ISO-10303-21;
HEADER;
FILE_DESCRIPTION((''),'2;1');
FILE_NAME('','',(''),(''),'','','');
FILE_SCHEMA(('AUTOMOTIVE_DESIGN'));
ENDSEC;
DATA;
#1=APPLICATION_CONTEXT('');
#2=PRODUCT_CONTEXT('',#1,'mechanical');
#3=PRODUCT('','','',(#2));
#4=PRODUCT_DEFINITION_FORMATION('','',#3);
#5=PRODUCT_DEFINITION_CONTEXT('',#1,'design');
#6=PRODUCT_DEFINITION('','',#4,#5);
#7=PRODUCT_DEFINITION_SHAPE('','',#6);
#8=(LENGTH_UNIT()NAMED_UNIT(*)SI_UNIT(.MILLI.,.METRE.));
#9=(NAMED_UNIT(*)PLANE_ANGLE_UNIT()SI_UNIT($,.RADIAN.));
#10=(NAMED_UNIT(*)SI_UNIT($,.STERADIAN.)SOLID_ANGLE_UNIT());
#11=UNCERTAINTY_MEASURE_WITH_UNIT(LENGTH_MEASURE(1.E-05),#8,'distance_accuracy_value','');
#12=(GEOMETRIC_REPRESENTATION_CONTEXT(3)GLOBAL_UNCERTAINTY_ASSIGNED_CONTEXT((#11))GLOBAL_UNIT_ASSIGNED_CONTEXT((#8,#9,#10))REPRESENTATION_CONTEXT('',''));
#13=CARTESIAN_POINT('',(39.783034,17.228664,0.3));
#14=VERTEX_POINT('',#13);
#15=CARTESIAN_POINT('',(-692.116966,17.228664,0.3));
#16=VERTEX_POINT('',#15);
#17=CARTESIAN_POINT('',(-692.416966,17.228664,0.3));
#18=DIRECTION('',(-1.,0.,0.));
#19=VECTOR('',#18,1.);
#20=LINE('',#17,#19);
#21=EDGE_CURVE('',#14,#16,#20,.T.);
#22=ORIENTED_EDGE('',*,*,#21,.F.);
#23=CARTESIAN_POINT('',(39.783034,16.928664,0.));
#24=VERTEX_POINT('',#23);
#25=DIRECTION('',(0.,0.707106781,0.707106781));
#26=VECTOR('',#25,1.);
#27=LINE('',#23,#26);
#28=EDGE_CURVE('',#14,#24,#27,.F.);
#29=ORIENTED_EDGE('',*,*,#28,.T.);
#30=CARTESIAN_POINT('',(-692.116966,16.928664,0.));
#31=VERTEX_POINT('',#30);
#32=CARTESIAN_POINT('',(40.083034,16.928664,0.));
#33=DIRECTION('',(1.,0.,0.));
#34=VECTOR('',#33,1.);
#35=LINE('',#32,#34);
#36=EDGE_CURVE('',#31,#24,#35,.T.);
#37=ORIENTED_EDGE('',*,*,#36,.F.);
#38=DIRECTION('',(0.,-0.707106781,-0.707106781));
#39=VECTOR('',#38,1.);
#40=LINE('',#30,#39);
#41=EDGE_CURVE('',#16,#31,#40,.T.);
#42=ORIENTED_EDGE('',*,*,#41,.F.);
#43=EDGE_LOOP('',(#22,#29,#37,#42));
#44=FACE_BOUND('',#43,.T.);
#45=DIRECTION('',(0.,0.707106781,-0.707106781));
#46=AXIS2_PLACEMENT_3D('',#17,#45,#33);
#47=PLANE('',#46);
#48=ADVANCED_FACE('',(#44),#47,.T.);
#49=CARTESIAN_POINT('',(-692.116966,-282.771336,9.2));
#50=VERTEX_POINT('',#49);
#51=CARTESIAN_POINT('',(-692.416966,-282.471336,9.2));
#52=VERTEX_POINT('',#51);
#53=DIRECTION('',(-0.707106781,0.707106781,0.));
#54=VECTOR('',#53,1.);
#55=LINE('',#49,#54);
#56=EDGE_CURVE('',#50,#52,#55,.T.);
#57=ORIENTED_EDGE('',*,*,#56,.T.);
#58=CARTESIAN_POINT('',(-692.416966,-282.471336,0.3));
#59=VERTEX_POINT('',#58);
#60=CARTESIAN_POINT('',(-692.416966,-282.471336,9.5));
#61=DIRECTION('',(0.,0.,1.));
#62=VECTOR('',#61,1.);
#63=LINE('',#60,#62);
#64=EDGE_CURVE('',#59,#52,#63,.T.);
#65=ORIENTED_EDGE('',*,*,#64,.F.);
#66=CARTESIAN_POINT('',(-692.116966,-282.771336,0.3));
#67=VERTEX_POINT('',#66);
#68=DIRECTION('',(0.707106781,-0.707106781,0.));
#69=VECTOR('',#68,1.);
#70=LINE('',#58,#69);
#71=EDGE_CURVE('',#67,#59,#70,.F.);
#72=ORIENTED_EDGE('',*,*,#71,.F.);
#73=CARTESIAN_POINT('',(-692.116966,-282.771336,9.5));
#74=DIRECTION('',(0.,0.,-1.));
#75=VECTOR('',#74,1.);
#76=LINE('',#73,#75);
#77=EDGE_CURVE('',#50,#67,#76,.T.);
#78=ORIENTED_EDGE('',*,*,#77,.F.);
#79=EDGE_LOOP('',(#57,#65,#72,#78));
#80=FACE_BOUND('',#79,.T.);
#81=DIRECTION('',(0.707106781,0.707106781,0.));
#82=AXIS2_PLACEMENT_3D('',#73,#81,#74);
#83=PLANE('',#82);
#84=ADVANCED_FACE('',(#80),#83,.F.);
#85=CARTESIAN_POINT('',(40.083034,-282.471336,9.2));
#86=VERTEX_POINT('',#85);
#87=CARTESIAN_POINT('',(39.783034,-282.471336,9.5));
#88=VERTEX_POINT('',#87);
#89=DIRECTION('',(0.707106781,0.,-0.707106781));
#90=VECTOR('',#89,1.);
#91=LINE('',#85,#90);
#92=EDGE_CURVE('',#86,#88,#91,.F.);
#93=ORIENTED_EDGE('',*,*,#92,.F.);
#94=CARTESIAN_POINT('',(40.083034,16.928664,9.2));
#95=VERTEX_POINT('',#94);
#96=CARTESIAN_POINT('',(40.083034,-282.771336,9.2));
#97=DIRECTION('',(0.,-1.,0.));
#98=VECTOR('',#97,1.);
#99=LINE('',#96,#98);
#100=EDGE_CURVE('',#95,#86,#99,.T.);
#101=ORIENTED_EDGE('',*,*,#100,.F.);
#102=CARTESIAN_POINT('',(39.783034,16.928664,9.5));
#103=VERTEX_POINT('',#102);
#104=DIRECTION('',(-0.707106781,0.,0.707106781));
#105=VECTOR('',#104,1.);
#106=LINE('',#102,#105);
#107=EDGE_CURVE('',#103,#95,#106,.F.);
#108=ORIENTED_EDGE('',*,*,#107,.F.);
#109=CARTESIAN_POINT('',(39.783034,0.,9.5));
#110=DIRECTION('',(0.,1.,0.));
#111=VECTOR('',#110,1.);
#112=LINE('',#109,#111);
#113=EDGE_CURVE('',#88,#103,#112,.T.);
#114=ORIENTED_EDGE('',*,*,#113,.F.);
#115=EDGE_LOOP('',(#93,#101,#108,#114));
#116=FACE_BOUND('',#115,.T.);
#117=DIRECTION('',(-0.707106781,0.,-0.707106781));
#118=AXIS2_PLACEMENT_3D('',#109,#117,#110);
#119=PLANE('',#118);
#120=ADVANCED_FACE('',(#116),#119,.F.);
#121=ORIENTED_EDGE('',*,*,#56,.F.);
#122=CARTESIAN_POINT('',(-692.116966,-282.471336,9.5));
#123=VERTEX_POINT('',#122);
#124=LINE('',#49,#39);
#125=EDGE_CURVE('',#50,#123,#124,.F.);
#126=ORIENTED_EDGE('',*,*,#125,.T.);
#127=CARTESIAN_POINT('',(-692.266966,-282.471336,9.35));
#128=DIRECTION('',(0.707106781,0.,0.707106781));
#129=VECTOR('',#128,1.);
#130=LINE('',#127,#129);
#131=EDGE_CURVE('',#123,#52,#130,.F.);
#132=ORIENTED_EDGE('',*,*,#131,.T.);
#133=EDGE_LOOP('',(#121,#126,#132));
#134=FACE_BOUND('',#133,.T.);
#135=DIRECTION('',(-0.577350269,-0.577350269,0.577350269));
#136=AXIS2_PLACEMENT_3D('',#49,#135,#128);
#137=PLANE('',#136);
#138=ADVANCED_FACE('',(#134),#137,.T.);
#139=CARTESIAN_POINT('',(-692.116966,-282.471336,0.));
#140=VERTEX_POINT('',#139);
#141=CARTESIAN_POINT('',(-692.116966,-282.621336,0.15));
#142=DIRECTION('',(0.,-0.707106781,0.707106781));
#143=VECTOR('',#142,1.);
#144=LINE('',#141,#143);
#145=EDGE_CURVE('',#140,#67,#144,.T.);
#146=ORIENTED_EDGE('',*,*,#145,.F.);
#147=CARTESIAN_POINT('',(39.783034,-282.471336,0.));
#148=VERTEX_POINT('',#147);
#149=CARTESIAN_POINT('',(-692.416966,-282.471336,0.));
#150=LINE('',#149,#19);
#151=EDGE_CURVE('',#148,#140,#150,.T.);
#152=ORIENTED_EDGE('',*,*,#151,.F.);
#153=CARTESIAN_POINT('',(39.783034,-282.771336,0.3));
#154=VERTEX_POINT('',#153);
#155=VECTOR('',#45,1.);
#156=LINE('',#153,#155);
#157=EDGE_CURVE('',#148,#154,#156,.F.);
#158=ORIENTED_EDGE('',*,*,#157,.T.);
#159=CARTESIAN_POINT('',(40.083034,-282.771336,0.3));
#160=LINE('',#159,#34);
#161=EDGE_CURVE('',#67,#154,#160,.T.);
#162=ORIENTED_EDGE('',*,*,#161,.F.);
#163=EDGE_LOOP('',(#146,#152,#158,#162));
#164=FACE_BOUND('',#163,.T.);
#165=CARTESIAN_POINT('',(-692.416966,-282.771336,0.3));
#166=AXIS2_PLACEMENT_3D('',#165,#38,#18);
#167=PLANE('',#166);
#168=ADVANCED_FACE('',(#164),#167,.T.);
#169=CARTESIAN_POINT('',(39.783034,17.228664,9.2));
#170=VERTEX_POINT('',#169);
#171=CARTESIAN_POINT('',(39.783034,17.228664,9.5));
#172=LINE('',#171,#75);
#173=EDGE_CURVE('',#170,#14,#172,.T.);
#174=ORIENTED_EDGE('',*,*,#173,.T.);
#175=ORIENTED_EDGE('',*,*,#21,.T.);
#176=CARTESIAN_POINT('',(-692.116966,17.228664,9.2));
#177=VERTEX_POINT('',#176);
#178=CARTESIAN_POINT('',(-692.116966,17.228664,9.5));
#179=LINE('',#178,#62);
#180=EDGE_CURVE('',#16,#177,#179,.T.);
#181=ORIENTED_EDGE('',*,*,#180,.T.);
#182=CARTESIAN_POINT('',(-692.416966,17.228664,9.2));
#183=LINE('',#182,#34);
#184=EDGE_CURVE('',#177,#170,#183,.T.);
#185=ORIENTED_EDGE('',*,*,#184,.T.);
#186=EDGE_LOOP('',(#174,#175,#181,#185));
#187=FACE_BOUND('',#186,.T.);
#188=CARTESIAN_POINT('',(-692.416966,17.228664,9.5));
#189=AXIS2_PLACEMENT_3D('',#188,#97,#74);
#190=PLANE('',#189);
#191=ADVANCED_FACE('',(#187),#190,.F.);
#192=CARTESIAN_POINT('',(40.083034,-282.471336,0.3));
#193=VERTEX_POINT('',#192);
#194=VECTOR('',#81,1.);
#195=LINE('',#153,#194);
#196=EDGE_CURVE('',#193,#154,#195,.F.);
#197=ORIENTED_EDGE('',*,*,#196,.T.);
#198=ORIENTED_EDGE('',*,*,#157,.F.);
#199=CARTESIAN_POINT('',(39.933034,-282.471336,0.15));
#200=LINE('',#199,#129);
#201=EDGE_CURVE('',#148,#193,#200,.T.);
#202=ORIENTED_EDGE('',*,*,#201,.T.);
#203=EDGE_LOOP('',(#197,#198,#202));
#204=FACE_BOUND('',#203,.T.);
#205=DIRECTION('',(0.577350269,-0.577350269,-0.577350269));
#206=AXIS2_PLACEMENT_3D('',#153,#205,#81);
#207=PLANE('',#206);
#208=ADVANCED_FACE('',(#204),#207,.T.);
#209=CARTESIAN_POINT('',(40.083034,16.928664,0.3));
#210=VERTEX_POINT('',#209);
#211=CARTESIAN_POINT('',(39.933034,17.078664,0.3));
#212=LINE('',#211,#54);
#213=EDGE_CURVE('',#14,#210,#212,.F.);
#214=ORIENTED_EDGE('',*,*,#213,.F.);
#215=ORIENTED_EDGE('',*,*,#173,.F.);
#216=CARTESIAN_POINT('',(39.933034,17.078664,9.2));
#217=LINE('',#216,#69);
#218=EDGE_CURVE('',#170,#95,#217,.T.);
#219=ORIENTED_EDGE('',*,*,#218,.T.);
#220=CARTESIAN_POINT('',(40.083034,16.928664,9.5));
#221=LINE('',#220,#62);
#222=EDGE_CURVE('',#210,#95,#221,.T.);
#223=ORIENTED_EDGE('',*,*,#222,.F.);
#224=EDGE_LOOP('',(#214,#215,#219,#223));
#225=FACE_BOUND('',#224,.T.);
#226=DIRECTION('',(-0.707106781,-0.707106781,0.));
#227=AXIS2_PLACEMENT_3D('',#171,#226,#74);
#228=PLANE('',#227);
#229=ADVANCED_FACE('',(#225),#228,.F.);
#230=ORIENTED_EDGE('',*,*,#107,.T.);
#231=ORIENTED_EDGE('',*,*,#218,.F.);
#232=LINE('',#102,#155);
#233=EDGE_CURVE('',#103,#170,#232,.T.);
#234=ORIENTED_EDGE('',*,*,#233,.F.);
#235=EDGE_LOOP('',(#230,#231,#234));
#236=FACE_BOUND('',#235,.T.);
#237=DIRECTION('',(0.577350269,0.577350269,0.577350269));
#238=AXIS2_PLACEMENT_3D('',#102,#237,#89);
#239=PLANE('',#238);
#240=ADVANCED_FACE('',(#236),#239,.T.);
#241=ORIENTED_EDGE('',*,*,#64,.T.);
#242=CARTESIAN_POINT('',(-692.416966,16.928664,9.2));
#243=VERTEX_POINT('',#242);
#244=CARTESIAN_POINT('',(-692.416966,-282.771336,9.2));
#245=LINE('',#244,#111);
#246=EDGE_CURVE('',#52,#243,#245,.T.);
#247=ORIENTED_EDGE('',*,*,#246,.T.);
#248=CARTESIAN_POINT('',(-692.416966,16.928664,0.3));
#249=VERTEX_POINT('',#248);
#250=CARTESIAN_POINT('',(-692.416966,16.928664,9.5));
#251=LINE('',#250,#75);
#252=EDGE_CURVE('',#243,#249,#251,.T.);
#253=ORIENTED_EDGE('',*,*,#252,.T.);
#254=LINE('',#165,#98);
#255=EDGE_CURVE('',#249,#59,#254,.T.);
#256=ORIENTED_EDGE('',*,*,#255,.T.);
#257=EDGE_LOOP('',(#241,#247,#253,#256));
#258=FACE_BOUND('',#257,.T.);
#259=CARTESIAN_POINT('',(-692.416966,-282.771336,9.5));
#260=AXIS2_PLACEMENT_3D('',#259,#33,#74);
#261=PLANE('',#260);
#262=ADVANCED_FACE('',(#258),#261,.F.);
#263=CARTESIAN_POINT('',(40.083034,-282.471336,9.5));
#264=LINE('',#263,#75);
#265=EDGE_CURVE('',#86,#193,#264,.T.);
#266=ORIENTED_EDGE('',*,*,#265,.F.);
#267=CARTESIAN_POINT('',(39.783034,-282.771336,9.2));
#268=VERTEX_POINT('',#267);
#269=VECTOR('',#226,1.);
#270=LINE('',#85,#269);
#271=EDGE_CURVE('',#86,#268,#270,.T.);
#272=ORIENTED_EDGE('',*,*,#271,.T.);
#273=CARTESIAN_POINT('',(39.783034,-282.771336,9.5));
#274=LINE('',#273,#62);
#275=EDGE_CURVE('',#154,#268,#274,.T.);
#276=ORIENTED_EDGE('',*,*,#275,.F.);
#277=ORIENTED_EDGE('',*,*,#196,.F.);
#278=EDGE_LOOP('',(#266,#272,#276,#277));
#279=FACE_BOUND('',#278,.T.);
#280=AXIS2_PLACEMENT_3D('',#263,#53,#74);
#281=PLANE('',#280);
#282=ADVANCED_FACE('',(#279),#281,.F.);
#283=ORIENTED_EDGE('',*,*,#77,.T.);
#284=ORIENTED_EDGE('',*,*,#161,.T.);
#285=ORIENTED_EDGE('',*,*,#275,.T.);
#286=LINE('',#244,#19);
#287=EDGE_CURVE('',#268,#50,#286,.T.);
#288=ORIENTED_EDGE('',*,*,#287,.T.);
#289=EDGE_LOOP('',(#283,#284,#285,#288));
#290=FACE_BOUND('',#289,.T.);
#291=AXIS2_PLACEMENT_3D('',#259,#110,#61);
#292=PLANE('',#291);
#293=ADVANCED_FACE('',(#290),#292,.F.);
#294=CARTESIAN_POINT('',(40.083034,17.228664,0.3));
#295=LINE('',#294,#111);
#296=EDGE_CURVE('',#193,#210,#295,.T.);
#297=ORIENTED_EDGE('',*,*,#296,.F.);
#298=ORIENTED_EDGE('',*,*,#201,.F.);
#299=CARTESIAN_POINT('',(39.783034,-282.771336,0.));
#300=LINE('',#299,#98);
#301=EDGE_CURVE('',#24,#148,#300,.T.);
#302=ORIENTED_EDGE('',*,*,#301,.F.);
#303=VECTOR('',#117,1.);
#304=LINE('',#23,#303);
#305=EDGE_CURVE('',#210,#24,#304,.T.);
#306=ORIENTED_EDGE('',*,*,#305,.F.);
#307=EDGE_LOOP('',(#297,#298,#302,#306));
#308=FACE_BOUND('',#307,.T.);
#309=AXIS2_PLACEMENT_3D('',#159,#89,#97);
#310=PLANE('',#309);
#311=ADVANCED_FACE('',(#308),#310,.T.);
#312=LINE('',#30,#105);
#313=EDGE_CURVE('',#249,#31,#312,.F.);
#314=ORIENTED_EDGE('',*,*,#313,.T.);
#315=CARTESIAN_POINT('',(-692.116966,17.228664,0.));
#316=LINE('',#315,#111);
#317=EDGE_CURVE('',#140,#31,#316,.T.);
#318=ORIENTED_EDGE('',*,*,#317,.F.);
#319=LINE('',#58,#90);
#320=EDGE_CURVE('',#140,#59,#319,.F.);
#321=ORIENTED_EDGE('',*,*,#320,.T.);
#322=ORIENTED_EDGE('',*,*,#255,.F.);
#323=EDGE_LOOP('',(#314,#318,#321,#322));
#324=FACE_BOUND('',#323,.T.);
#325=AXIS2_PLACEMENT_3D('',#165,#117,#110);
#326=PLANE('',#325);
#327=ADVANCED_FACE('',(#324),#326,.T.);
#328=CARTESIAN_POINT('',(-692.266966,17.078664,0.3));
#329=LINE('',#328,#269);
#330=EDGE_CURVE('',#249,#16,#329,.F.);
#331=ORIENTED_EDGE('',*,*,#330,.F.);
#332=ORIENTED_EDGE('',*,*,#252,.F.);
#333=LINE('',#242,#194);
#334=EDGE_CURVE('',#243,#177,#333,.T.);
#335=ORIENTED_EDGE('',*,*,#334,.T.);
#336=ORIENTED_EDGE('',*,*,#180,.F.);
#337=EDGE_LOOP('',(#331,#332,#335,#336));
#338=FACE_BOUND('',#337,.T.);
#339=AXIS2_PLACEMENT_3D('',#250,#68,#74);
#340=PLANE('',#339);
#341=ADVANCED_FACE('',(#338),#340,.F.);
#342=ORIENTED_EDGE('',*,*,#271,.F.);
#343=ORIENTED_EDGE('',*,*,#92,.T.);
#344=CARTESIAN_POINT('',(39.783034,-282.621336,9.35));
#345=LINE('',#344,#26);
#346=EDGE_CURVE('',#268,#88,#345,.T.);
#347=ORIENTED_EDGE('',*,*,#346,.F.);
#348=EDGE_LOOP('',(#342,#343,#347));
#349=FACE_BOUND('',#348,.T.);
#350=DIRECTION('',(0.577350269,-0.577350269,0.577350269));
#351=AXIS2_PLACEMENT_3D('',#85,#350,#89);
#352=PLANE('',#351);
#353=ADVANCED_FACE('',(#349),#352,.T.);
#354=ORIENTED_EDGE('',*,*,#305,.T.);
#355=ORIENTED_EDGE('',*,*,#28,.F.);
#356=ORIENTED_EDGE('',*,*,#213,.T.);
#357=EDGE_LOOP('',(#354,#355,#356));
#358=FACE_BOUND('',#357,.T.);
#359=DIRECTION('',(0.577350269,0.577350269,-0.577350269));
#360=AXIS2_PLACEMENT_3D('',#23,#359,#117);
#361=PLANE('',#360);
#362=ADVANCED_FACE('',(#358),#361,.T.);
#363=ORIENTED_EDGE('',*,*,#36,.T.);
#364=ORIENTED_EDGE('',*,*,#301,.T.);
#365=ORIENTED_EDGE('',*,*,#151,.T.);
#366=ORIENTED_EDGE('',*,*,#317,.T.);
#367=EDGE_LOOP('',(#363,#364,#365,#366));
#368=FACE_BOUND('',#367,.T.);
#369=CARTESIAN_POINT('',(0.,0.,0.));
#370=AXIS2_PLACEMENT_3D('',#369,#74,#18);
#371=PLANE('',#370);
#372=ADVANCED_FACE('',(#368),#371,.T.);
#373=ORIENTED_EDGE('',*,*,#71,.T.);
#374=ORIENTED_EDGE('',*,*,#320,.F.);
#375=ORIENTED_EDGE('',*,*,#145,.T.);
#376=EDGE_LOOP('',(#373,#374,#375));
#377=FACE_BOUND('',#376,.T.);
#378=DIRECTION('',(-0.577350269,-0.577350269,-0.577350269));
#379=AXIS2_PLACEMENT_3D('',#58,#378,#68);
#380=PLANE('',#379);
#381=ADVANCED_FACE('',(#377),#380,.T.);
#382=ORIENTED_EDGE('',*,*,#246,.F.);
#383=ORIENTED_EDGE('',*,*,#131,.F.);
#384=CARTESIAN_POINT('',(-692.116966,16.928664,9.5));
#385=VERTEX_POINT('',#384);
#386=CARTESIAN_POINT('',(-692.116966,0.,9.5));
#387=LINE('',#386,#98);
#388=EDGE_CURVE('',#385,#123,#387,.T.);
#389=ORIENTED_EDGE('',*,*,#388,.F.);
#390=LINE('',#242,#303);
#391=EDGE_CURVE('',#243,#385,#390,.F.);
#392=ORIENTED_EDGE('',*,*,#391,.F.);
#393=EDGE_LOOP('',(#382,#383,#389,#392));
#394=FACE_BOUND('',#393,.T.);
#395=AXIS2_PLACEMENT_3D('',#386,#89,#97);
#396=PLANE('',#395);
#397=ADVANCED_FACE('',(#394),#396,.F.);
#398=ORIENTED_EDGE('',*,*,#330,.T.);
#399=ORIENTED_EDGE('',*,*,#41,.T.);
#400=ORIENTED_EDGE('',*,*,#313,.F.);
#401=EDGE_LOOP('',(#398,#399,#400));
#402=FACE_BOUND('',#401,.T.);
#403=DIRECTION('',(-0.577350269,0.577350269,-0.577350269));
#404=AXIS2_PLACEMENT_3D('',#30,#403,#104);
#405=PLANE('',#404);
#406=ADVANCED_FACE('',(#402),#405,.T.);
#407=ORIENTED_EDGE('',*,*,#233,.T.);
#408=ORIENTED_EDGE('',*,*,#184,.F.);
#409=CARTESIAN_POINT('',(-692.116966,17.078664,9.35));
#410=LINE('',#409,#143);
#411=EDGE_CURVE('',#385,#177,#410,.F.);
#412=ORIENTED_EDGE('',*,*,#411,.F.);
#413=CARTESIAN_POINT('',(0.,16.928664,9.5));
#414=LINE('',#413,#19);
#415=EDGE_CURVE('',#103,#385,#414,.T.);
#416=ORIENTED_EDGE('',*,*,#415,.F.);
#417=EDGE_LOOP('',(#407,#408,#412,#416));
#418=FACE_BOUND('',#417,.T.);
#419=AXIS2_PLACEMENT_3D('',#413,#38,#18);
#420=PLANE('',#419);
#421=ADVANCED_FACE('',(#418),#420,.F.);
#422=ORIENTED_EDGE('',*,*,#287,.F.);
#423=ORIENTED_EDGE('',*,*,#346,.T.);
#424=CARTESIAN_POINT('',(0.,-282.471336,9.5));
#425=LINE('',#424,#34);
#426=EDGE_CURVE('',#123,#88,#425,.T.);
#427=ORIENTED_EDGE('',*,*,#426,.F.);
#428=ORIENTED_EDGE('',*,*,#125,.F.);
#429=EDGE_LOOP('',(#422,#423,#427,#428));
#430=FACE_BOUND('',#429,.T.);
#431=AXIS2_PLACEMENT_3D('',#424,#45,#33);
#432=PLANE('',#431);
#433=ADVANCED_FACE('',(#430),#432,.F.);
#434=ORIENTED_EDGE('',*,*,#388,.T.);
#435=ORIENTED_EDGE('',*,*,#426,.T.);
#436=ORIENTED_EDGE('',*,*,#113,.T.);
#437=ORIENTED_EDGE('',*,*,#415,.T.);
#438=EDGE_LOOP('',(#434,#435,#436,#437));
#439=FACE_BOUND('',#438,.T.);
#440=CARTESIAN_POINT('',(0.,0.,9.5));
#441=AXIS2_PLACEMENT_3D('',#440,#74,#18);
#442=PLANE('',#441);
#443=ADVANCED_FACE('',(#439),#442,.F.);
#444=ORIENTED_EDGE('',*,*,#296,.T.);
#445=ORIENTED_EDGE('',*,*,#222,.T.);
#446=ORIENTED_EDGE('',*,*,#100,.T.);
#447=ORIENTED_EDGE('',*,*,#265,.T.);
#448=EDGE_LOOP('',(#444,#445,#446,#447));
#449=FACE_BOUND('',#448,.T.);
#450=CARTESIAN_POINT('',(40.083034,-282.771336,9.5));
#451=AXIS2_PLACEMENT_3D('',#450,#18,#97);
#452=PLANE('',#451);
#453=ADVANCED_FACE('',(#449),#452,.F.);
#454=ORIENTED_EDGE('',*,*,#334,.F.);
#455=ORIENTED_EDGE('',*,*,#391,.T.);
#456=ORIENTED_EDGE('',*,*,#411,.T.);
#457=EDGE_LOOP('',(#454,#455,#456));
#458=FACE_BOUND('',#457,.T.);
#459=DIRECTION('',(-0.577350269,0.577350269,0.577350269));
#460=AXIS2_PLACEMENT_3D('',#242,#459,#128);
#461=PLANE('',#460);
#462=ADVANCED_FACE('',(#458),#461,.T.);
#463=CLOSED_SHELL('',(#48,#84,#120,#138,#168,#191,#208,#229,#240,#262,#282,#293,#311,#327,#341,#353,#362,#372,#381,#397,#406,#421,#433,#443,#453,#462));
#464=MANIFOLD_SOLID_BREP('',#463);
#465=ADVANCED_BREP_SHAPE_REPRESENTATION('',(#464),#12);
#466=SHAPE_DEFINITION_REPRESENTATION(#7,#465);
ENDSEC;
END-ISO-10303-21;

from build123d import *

# Parameters (mm, degrees)
SKETCH1_W           = 732.5
SKETCH1_H           = 300
BOSS_EXTRUDE1_DEPTH = 9.5
CHAMFER1_SIZE       = 0.3


with BuildPart() as part:
    # Sketch1 → Boss-Extrude1 (new body)
    with BuildSketch(Plane(origin=(15.083033638, 7.228664087, 0), x_dir=(1, 0, 0), z_dir=(0, 0, 1))):
        with Locations((-341.25, -140)):
            Rectangle(SKETCH1_W, SKETCH1_H)
    extrude(amount=BOSS_EXTRUDE1_DEPTH)

    # Chamfer1
    chamfer1_edges = [part.edges().sort_by_distance(p)[0] for p in [
        (40.083033638, -132.771335913, 9.5),
        (-326.166966362, 17.228664087, 9.5),
        (-692.416966362, -132.771335913, 9.5),
        (-326.166966362, 17.228664087, 0),
        (40.083033638, -132.771335913, 0),
        (-326.166966362, -282.771335913, 0),
        (-692.416966362, -132.771335913, 0),
        (-326.166966362, -282.771335913, 9.5),
        (-692.416966362, 17.228664087, 4.75),
        (40.083033638, 17.228664087, 4.75),
        (40.083033638, -282.771335913, 4.75),
        (-692.416966362, -282.771335913, 4.75),
    ]]
    chamfer(chamfer1_edges, length=CHAMFER1_SIZE)


solid = part.part
